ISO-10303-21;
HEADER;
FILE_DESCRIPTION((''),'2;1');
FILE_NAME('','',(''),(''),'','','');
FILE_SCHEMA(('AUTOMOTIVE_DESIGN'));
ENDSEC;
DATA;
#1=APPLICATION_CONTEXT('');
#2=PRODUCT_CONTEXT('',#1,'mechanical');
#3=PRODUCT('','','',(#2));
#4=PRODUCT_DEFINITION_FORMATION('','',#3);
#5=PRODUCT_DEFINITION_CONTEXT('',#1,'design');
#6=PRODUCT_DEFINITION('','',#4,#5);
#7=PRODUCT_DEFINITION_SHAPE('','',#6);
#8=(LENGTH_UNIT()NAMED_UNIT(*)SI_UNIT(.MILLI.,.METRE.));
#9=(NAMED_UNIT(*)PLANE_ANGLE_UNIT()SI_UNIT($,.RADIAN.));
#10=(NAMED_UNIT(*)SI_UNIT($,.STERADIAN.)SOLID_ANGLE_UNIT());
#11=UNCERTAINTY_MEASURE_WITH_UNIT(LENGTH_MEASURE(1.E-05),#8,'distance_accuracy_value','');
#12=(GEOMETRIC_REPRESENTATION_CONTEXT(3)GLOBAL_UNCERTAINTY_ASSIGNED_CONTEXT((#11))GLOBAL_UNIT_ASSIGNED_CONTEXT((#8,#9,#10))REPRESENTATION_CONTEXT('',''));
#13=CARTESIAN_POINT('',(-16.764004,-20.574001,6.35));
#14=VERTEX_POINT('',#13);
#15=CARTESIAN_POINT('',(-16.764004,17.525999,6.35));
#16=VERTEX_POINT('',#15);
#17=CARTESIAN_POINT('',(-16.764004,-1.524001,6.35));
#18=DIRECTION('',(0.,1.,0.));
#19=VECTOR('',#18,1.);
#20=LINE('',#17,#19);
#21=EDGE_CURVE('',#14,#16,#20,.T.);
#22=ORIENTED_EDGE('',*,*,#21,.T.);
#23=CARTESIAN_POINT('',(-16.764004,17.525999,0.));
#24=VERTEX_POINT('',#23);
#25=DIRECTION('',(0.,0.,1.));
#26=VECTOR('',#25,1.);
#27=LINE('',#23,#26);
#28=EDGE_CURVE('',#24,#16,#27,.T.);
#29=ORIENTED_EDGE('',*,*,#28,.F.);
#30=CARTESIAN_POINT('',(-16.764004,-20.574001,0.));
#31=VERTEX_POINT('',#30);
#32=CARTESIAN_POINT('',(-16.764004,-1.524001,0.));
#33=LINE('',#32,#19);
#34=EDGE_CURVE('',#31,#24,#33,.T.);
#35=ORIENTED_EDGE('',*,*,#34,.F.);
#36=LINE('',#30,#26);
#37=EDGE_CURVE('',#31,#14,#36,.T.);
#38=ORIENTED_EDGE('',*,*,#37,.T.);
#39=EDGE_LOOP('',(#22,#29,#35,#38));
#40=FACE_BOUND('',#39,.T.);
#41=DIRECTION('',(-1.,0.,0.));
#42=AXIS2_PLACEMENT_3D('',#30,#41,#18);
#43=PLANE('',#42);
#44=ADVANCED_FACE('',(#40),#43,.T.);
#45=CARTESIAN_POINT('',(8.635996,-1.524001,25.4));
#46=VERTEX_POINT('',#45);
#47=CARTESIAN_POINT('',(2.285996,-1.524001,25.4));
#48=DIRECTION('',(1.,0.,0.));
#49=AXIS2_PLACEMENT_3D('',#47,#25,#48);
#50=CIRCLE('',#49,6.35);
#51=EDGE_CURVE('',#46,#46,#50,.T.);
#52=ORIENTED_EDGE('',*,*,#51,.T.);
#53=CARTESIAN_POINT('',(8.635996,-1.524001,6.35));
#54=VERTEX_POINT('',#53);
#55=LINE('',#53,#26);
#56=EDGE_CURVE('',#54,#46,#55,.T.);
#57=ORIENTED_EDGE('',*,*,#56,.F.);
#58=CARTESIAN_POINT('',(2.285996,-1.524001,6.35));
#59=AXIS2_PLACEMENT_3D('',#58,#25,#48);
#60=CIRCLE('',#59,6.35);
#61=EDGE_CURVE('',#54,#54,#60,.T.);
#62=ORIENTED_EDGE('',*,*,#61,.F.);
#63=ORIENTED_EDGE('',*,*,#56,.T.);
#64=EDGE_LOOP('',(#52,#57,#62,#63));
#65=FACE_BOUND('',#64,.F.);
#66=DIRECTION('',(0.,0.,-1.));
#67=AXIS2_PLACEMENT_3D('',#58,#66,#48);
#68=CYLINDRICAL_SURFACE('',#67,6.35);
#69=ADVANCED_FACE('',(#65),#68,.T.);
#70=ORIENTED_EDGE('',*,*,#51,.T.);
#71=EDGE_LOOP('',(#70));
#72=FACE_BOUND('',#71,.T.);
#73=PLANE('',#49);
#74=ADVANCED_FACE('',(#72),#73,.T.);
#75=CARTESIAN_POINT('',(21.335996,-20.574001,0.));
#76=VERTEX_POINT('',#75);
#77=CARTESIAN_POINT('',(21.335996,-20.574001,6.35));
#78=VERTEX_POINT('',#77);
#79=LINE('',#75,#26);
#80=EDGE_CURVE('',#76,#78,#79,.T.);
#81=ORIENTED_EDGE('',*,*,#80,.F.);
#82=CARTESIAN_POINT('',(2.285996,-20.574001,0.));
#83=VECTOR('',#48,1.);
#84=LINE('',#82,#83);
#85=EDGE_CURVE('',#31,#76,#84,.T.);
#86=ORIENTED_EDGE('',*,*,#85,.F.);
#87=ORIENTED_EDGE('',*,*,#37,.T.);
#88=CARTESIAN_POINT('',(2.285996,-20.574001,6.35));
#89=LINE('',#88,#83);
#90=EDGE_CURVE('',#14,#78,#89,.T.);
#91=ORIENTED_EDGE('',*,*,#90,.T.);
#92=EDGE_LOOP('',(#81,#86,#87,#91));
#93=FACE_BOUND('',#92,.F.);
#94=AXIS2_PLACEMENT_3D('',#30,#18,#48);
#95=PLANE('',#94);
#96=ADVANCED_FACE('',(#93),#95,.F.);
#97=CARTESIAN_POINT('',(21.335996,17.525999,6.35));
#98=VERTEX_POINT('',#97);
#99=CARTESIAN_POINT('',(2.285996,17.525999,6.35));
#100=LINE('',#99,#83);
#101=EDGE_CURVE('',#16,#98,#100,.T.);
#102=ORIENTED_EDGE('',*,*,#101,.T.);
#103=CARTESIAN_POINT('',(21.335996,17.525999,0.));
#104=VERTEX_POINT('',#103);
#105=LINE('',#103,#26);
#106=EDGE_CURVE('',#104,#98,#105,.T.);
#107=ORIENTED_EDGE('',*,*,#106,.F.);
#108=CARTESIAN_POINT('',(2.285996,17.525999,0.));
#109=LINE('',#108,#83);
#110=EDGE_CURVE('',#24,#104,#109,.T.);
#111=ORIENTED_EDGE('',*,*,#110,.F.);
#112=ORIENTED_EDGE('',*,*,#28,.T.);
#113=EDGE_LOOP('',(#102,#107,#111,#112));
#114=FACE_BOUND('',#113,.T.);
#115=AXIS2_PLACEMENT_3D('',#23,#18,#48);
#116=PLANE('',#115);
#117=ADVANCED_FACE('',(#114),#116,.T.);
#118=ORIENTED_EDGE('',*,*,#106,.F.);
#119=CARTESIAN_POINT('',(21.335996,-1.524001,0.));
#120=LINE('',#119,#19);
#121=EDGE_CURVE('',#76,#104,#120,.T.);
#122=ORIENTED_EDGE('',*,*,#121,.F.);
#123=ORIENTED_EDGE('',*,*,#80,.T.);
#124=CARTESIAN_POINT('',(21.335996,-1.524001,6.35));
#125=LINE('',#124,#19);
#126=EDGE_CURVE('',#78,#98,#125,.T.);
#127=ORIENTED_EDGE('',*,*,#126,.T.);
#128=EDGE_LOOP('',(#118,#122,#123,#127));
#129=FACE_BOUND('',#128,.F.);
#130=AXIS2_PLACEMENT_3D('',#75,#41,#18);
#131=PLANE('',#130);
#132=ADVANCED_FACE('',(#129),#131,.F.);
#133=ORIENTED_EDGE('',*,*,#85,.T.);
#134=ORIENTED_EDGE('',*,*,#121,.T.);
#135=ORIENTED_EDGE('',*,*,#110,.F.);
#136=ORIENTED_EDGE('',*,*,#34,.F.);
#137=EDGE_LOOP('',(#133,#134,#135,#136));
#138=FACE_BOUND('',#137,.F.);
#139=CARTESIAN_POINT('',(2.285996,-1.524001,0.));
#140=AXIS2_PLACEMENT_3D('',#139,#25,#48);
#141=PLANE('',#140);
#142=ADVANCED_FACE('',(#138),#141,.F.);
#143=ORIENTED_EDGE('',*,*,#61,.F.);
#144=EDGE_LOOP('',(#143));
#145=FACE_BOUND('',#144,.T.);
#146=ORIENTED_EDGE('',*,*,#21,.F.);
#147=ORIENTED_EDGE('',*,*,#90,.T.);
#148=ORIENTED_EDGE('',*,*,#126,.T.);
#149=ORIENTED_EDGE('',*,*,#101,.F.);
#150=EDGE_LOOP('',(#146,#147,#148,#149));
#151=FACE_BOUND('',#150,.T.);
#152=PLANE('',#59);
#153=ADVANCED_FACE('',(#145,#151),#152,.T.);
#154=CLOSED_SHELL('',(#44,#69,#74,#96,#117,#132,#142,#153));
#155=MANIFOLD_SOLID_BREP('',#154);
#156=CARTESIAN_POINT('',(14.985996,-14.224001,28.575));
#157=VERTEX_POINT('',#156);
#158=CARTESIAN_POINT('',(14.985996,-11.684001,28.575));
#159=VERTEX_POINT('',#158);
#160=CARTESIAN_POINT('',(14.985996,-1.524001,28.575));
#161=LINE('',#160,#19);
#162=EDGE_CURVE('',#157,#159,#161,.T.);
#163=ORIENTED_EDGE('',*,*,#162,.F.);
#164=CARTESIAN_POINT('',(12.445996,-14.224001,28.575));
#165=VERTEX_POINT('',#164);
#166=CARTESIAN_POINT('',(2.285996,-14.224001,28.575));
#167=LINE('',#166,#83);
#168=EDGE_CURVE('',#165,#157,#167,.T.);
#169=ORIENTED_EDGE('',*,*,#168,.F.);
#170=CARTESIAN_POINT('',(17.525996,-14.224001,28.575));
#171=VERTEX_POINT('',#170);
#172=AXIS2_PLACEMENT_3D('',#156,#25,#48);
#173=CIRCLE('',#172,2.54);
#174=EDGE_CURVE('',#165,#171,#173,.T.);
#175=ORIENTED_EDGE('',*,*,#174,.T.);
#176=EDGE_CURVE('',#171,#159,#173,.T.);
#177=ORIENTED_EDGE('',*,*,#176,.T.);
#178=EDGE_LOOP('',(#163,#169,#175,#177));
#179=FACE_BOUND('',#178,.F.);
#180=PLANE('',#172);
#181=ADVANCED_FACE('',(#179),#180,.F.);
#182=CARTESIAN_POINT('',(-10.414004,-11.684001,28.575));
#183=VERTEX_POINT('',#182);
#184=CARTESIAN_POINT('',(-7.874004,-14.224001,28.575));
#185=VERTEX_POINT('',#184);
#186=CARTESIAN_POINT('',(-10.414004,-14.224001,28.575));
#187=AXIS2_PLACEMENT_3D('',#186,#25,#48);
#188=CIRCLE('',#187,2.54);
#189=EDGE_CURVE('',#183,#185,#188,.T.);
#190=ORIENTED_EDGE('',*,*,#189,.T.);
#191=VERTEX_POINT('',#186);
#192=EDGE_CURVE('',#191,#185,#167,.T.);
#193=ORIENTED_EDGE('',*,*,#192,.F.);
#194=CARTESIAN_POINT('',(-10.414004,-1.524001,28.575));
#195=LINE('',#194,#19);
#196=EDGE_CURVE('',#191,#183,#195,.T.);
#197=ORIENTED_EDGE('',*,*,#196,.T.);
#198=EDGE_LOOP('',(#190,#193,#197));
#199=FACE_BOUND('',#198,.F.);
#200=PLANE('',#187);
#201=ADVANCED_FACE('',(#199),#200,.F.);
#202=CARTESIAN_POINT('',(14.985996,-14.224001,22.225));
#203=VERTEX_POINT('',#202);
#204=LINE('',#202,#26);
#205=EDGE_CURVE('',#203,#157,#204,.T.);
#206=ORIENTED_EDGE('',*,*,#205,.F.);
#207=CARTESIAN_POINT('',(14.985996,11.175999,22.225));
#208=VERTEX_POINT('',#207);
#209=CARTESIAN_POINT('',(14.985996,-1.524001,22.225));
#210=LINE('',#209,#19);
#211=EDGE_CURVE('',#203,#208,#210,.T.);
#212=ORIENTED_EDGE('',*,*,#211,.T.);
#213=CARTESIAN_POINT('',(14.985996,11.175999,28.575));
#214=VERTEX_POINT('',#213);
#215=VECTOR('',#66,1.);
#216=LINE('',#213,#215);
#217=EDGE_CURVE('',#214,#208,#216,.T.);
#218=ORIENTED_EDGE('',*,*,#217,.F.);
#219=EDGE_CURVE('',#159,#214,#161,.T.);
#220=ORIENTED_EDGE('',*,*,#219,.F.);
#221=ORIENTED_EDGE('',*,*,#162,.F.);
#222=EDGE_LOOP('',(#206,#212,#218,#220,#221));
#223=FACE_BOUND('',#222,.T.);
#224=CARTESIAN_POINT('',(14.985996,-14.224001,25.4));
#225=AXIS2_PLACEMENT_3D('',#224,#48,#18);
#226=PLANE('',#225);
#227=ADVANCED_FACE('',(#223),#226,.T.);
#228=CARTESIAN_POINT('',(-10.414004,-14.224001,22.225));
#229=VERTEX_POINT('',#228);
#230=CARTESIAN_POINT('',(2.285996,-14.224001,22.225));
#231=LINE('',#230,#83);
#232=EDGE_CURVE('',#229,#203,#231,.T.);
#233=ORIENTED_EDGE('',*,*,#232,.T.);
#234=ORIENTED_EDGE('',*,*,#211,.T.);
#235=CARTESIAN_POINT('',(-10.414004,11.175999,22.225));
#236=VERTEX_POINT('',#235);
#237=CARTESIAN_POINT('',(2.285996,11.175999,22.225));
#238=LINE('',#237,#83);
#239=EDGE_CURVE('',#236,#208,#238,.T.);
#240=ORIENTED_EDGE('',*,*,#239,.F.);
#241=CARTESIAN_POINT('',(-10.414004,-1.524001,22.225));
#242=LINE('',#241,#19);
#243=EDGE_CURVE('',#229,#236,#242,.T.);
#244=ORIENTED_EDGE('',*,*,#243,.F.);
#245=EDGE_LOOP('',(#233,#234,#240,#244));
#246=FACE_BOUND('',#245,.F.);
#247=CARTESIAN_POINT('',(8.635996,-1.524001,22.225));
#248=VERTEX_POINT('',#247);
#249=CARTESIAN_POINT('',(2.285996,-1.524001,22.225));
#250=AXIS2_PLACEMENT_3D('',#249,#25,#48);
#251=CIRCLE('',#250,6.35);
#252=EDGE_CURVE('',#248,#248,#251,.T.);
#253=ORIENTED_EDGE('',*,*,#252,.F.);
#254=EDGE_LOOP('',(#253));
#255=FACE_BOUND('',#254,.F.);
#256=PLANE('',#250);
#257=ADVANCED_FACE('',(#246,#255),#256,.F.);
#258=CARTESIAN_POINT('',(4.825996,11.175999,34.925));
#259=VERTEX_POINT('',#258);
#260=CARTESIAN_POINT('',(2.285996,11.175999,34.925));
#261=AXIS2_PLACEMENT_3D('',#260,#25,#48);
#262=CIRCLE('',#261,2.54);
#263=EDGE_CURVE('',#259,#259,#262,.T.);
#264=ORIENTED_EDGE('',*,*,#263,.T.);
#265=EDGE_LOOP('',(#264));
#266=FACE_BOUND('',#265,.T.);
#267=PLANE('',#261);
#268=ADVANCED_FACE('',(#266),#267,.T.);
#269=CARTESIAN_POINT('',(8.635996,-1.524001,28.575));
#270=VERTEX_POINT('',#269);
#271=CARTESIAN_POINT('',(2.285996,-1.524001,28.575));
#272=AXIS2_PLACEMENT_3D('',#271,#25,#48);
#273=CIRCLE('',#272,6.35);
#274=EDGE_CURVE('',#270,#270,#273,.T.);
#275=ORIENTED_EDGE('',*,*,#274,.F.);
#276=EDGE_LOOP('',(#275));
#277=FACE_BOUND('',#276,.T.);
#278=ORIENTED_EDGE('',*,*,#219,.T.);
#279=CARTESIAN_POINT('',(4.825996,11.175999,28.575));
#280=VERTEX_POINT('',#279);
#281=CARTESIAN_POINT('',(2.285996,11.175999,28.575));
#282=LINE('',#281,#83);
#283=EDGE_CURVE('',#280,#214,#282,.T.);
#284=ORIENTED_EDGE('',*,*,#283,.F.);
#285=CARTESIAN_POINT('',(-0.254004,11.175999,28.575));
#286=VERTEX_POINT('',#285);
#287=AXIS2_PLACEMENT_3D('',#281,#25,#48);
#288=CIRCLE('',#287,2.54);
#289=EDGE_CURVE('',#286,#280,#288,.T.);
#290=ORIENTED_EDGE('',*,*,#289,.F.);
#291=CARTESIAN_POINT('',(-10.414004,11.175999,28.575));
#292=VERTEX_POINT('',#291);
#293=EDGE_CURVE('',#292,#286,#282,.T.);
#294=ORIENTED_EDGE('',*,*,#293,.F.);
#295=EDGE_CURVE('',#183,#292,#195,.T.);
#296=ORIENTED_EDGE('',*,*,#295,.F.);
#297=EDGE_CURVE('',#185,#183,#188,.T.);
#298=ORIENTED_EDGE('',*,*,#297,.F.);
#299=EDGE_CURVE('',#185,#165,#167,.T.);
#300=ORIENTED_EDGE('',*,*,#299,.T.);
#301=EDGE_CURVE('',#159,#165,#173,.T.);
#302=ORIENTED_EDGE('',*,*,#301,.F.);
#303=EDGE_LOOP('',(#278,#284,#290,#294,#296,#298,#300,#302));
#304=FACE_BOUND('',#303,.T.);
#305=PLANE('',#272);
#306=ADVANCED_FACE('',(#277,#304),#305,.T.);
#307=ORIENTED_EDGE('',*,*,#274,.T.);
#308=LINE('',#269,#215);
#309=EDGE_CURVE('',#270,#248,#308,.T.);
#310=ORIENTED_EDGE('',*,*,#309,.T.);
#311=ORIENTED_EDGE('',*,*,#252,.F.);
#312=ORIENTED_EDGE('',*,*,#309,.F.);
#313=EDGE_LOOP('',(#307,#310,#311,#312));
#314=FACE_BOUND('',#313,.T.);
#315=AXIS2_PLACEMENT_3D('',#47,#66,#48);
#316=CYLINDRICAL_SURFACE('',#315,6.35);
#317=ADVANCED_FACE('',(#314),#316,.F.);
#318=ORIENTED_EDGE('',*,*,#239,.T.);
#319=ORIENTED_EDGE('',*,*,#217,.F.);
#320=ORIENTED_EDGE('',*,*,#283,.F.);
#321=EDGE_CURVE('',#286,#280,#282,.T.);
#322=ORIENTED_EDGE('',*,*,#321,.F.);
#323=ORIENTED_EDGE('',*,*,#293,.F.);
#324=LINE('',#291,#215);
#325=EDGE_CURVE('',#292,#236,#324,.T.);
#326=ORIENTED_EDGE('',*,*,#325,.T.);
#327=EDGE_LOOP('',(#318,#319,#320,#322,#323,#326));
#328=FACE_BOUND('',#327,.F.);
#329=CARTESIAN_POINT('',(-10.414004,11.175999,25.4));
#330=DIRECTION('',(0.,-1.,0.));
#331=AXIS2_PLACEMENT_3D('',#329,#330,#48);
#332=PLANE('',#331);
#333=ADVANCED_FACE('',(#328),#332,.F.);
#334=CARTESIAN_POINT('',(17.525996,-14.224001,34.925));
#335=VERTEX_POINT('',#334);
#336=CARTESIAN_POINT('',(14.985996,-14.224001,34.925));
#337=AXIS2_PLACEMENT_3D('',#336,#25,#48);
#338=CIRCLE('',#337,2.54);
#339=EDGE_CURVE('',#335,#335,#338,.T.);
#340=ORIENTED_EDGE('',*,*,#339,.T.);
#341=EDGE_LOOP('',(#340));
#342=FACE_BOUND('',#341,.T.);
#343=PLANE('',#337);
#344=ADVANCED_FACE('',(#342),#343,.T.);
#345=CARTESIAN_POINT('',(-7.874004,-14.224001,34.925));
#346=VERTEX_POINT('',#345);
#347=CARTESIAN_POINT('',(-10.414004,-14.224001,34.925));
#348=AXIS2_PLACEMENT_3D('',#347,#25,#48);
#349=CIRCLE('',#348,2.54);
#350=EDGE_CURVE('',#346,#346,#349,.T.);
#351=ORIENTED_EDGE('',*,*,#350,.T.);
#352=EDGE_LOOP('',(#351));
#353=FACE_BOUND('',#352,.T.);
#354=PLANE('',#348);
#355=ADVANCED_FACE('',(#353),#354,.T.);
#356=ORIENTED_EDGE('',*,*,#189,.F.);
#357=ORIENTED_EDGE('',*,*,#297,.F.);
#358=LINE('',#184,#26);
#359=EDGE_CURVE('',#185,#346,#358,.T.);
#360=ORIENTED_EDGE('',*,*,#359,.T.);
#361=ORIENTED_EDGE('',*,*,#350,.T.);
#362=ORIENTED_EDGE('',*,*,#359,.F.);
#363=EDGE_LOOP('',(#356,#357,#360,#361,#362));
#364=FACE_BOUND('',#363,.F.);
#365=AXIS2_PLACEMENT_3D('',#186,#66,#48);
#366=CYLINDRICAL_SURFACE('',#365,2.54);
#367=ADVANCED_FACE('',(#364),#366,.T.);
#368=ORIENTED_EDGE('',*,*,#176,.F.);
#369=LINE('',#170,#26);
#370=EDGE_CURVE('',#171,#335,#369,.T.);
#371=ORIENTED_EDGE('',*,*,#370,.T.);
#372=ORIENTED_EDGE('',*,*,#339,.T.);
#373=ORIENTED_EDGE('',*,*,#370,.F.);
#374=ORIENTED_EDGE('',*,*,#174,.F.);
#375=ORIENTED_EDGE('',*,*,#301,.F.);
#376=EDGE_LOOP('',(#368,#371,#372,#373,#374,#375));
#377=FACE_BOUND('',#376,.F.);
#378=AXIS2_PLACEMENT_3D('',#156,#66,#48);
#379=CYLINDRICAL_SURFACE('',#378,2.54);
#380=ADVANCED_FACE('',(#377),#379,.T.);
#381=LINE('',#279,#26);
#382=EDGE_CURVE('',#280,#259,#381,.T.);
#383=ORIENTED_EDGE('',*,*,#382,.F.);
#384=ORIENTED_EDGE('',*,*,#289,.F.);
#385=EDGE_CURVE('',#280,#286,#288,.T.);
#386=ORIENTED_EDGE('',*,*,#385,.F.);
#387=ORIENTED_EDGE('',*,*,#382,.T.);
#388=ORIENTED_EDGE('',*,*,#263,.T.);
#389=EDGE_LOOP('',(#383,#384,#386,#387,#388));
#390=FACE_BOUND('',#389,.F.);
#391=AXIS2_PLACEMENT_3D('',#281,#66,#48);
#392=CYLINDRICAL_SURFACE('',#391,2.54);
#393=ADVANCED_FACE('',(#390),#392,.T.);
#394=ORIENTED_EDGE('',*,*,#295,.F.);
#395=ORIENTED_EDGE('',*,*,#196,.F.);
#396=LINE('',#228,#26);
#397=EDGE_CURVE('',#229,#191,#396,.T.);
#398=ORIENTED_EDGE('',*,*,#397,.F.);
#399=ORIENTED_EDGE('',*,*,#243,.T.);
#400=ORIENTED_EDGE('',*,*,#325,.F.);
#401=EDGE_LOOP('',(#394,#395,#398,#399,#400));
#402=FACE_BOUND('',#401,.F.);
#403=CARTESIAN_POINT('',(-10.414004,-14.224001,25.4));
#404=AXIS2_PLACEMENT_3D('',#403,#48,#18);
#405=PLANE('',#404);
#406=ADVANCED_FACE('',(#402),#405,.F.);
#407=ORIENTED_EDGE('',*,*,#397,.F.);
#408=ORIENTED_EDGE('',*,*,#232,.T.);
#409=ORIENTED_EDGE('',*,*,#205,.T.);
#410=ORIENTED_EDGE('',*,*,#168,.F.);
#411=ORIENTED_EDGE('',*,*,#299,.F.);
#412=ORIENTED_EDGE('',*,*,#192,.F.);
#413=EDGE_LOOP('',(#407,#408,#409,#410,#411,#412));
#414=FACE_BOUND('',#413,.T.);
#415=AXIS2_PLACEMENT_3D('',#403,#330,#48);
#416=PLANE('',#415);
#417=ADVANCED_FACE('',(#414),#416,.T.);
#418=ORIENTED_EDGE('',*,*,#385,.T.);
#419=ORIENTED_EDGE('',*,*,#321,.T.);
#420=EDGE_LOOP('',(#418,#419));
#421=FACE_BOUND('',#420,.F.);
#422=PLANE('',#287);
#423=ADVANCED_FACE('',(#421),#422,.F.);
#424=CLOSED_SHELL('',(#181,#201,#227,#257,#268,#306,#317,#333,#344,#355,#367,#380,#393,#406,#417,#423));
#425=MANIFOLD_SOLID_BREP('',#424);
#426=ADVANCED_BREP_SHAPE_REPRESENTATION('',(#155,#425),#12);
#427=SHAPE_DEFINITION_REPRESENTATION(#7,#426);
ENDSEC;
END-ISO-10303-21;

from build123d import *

# Parameters (mm, degrees)
F0_W     = 38.1
F0_H     = 38.1
F1_DEPTH = 6.35
F2_R     = 6.35
F3_DEPTH = 19.05
F4_W     = 25.4
F4_H     = 25.4
F4_R     = 6.35
F5_DEPTH = 3.175
F6_R     = 2.54
F7_DEPTH = 6.35


with BuildPart() as f1:
    # F0 (on Top) → F1 (new body)
    with BuildSketch(Plane.XY):
        with Locations((2.285996, -1.524001)):
            Rectangle(F0_W, F0_H)
    extrude(amount=F1_DEPTH)

    # F2 (on face) → F3 (join)
    with BuildSketch(Plane.XY.offset(6.35)):
        with Locations((2.285996, -1.524001)):
            Circle(F2_R)
    extrude(amount=F3_DEPTH)


with BuildPart() as f5:
    # F4 (on face) → F5 (new body, symmetric)
    with BuildSketch(Plane.XY.offset(25.4)):
        with Locations((2.285996, -1.524001)):
            Rectangle(F4_W, F4_H)
        with Locations((2.285996, -1.524001)):
            Circle(F4_R, mode=Mode.SUBTRACT)
    extrude(amount=F5_DEPTH, both=True)

    # F6 (on face) → F7 (join)
    with BuildSketch(Plane.XY.offset(28.575)):
        with Locations((-10.414004, -14.224001)):
            Circle(F6_R)
        with Locations((14.985996, -14.224001)):
            Circle(F6_R)
        with Locations((2.285996, 11.175999)):
            Circle(F6_R)
    extrude(amount=F7_DEPTH)


solid = Compound([f1.part, f5.part])
